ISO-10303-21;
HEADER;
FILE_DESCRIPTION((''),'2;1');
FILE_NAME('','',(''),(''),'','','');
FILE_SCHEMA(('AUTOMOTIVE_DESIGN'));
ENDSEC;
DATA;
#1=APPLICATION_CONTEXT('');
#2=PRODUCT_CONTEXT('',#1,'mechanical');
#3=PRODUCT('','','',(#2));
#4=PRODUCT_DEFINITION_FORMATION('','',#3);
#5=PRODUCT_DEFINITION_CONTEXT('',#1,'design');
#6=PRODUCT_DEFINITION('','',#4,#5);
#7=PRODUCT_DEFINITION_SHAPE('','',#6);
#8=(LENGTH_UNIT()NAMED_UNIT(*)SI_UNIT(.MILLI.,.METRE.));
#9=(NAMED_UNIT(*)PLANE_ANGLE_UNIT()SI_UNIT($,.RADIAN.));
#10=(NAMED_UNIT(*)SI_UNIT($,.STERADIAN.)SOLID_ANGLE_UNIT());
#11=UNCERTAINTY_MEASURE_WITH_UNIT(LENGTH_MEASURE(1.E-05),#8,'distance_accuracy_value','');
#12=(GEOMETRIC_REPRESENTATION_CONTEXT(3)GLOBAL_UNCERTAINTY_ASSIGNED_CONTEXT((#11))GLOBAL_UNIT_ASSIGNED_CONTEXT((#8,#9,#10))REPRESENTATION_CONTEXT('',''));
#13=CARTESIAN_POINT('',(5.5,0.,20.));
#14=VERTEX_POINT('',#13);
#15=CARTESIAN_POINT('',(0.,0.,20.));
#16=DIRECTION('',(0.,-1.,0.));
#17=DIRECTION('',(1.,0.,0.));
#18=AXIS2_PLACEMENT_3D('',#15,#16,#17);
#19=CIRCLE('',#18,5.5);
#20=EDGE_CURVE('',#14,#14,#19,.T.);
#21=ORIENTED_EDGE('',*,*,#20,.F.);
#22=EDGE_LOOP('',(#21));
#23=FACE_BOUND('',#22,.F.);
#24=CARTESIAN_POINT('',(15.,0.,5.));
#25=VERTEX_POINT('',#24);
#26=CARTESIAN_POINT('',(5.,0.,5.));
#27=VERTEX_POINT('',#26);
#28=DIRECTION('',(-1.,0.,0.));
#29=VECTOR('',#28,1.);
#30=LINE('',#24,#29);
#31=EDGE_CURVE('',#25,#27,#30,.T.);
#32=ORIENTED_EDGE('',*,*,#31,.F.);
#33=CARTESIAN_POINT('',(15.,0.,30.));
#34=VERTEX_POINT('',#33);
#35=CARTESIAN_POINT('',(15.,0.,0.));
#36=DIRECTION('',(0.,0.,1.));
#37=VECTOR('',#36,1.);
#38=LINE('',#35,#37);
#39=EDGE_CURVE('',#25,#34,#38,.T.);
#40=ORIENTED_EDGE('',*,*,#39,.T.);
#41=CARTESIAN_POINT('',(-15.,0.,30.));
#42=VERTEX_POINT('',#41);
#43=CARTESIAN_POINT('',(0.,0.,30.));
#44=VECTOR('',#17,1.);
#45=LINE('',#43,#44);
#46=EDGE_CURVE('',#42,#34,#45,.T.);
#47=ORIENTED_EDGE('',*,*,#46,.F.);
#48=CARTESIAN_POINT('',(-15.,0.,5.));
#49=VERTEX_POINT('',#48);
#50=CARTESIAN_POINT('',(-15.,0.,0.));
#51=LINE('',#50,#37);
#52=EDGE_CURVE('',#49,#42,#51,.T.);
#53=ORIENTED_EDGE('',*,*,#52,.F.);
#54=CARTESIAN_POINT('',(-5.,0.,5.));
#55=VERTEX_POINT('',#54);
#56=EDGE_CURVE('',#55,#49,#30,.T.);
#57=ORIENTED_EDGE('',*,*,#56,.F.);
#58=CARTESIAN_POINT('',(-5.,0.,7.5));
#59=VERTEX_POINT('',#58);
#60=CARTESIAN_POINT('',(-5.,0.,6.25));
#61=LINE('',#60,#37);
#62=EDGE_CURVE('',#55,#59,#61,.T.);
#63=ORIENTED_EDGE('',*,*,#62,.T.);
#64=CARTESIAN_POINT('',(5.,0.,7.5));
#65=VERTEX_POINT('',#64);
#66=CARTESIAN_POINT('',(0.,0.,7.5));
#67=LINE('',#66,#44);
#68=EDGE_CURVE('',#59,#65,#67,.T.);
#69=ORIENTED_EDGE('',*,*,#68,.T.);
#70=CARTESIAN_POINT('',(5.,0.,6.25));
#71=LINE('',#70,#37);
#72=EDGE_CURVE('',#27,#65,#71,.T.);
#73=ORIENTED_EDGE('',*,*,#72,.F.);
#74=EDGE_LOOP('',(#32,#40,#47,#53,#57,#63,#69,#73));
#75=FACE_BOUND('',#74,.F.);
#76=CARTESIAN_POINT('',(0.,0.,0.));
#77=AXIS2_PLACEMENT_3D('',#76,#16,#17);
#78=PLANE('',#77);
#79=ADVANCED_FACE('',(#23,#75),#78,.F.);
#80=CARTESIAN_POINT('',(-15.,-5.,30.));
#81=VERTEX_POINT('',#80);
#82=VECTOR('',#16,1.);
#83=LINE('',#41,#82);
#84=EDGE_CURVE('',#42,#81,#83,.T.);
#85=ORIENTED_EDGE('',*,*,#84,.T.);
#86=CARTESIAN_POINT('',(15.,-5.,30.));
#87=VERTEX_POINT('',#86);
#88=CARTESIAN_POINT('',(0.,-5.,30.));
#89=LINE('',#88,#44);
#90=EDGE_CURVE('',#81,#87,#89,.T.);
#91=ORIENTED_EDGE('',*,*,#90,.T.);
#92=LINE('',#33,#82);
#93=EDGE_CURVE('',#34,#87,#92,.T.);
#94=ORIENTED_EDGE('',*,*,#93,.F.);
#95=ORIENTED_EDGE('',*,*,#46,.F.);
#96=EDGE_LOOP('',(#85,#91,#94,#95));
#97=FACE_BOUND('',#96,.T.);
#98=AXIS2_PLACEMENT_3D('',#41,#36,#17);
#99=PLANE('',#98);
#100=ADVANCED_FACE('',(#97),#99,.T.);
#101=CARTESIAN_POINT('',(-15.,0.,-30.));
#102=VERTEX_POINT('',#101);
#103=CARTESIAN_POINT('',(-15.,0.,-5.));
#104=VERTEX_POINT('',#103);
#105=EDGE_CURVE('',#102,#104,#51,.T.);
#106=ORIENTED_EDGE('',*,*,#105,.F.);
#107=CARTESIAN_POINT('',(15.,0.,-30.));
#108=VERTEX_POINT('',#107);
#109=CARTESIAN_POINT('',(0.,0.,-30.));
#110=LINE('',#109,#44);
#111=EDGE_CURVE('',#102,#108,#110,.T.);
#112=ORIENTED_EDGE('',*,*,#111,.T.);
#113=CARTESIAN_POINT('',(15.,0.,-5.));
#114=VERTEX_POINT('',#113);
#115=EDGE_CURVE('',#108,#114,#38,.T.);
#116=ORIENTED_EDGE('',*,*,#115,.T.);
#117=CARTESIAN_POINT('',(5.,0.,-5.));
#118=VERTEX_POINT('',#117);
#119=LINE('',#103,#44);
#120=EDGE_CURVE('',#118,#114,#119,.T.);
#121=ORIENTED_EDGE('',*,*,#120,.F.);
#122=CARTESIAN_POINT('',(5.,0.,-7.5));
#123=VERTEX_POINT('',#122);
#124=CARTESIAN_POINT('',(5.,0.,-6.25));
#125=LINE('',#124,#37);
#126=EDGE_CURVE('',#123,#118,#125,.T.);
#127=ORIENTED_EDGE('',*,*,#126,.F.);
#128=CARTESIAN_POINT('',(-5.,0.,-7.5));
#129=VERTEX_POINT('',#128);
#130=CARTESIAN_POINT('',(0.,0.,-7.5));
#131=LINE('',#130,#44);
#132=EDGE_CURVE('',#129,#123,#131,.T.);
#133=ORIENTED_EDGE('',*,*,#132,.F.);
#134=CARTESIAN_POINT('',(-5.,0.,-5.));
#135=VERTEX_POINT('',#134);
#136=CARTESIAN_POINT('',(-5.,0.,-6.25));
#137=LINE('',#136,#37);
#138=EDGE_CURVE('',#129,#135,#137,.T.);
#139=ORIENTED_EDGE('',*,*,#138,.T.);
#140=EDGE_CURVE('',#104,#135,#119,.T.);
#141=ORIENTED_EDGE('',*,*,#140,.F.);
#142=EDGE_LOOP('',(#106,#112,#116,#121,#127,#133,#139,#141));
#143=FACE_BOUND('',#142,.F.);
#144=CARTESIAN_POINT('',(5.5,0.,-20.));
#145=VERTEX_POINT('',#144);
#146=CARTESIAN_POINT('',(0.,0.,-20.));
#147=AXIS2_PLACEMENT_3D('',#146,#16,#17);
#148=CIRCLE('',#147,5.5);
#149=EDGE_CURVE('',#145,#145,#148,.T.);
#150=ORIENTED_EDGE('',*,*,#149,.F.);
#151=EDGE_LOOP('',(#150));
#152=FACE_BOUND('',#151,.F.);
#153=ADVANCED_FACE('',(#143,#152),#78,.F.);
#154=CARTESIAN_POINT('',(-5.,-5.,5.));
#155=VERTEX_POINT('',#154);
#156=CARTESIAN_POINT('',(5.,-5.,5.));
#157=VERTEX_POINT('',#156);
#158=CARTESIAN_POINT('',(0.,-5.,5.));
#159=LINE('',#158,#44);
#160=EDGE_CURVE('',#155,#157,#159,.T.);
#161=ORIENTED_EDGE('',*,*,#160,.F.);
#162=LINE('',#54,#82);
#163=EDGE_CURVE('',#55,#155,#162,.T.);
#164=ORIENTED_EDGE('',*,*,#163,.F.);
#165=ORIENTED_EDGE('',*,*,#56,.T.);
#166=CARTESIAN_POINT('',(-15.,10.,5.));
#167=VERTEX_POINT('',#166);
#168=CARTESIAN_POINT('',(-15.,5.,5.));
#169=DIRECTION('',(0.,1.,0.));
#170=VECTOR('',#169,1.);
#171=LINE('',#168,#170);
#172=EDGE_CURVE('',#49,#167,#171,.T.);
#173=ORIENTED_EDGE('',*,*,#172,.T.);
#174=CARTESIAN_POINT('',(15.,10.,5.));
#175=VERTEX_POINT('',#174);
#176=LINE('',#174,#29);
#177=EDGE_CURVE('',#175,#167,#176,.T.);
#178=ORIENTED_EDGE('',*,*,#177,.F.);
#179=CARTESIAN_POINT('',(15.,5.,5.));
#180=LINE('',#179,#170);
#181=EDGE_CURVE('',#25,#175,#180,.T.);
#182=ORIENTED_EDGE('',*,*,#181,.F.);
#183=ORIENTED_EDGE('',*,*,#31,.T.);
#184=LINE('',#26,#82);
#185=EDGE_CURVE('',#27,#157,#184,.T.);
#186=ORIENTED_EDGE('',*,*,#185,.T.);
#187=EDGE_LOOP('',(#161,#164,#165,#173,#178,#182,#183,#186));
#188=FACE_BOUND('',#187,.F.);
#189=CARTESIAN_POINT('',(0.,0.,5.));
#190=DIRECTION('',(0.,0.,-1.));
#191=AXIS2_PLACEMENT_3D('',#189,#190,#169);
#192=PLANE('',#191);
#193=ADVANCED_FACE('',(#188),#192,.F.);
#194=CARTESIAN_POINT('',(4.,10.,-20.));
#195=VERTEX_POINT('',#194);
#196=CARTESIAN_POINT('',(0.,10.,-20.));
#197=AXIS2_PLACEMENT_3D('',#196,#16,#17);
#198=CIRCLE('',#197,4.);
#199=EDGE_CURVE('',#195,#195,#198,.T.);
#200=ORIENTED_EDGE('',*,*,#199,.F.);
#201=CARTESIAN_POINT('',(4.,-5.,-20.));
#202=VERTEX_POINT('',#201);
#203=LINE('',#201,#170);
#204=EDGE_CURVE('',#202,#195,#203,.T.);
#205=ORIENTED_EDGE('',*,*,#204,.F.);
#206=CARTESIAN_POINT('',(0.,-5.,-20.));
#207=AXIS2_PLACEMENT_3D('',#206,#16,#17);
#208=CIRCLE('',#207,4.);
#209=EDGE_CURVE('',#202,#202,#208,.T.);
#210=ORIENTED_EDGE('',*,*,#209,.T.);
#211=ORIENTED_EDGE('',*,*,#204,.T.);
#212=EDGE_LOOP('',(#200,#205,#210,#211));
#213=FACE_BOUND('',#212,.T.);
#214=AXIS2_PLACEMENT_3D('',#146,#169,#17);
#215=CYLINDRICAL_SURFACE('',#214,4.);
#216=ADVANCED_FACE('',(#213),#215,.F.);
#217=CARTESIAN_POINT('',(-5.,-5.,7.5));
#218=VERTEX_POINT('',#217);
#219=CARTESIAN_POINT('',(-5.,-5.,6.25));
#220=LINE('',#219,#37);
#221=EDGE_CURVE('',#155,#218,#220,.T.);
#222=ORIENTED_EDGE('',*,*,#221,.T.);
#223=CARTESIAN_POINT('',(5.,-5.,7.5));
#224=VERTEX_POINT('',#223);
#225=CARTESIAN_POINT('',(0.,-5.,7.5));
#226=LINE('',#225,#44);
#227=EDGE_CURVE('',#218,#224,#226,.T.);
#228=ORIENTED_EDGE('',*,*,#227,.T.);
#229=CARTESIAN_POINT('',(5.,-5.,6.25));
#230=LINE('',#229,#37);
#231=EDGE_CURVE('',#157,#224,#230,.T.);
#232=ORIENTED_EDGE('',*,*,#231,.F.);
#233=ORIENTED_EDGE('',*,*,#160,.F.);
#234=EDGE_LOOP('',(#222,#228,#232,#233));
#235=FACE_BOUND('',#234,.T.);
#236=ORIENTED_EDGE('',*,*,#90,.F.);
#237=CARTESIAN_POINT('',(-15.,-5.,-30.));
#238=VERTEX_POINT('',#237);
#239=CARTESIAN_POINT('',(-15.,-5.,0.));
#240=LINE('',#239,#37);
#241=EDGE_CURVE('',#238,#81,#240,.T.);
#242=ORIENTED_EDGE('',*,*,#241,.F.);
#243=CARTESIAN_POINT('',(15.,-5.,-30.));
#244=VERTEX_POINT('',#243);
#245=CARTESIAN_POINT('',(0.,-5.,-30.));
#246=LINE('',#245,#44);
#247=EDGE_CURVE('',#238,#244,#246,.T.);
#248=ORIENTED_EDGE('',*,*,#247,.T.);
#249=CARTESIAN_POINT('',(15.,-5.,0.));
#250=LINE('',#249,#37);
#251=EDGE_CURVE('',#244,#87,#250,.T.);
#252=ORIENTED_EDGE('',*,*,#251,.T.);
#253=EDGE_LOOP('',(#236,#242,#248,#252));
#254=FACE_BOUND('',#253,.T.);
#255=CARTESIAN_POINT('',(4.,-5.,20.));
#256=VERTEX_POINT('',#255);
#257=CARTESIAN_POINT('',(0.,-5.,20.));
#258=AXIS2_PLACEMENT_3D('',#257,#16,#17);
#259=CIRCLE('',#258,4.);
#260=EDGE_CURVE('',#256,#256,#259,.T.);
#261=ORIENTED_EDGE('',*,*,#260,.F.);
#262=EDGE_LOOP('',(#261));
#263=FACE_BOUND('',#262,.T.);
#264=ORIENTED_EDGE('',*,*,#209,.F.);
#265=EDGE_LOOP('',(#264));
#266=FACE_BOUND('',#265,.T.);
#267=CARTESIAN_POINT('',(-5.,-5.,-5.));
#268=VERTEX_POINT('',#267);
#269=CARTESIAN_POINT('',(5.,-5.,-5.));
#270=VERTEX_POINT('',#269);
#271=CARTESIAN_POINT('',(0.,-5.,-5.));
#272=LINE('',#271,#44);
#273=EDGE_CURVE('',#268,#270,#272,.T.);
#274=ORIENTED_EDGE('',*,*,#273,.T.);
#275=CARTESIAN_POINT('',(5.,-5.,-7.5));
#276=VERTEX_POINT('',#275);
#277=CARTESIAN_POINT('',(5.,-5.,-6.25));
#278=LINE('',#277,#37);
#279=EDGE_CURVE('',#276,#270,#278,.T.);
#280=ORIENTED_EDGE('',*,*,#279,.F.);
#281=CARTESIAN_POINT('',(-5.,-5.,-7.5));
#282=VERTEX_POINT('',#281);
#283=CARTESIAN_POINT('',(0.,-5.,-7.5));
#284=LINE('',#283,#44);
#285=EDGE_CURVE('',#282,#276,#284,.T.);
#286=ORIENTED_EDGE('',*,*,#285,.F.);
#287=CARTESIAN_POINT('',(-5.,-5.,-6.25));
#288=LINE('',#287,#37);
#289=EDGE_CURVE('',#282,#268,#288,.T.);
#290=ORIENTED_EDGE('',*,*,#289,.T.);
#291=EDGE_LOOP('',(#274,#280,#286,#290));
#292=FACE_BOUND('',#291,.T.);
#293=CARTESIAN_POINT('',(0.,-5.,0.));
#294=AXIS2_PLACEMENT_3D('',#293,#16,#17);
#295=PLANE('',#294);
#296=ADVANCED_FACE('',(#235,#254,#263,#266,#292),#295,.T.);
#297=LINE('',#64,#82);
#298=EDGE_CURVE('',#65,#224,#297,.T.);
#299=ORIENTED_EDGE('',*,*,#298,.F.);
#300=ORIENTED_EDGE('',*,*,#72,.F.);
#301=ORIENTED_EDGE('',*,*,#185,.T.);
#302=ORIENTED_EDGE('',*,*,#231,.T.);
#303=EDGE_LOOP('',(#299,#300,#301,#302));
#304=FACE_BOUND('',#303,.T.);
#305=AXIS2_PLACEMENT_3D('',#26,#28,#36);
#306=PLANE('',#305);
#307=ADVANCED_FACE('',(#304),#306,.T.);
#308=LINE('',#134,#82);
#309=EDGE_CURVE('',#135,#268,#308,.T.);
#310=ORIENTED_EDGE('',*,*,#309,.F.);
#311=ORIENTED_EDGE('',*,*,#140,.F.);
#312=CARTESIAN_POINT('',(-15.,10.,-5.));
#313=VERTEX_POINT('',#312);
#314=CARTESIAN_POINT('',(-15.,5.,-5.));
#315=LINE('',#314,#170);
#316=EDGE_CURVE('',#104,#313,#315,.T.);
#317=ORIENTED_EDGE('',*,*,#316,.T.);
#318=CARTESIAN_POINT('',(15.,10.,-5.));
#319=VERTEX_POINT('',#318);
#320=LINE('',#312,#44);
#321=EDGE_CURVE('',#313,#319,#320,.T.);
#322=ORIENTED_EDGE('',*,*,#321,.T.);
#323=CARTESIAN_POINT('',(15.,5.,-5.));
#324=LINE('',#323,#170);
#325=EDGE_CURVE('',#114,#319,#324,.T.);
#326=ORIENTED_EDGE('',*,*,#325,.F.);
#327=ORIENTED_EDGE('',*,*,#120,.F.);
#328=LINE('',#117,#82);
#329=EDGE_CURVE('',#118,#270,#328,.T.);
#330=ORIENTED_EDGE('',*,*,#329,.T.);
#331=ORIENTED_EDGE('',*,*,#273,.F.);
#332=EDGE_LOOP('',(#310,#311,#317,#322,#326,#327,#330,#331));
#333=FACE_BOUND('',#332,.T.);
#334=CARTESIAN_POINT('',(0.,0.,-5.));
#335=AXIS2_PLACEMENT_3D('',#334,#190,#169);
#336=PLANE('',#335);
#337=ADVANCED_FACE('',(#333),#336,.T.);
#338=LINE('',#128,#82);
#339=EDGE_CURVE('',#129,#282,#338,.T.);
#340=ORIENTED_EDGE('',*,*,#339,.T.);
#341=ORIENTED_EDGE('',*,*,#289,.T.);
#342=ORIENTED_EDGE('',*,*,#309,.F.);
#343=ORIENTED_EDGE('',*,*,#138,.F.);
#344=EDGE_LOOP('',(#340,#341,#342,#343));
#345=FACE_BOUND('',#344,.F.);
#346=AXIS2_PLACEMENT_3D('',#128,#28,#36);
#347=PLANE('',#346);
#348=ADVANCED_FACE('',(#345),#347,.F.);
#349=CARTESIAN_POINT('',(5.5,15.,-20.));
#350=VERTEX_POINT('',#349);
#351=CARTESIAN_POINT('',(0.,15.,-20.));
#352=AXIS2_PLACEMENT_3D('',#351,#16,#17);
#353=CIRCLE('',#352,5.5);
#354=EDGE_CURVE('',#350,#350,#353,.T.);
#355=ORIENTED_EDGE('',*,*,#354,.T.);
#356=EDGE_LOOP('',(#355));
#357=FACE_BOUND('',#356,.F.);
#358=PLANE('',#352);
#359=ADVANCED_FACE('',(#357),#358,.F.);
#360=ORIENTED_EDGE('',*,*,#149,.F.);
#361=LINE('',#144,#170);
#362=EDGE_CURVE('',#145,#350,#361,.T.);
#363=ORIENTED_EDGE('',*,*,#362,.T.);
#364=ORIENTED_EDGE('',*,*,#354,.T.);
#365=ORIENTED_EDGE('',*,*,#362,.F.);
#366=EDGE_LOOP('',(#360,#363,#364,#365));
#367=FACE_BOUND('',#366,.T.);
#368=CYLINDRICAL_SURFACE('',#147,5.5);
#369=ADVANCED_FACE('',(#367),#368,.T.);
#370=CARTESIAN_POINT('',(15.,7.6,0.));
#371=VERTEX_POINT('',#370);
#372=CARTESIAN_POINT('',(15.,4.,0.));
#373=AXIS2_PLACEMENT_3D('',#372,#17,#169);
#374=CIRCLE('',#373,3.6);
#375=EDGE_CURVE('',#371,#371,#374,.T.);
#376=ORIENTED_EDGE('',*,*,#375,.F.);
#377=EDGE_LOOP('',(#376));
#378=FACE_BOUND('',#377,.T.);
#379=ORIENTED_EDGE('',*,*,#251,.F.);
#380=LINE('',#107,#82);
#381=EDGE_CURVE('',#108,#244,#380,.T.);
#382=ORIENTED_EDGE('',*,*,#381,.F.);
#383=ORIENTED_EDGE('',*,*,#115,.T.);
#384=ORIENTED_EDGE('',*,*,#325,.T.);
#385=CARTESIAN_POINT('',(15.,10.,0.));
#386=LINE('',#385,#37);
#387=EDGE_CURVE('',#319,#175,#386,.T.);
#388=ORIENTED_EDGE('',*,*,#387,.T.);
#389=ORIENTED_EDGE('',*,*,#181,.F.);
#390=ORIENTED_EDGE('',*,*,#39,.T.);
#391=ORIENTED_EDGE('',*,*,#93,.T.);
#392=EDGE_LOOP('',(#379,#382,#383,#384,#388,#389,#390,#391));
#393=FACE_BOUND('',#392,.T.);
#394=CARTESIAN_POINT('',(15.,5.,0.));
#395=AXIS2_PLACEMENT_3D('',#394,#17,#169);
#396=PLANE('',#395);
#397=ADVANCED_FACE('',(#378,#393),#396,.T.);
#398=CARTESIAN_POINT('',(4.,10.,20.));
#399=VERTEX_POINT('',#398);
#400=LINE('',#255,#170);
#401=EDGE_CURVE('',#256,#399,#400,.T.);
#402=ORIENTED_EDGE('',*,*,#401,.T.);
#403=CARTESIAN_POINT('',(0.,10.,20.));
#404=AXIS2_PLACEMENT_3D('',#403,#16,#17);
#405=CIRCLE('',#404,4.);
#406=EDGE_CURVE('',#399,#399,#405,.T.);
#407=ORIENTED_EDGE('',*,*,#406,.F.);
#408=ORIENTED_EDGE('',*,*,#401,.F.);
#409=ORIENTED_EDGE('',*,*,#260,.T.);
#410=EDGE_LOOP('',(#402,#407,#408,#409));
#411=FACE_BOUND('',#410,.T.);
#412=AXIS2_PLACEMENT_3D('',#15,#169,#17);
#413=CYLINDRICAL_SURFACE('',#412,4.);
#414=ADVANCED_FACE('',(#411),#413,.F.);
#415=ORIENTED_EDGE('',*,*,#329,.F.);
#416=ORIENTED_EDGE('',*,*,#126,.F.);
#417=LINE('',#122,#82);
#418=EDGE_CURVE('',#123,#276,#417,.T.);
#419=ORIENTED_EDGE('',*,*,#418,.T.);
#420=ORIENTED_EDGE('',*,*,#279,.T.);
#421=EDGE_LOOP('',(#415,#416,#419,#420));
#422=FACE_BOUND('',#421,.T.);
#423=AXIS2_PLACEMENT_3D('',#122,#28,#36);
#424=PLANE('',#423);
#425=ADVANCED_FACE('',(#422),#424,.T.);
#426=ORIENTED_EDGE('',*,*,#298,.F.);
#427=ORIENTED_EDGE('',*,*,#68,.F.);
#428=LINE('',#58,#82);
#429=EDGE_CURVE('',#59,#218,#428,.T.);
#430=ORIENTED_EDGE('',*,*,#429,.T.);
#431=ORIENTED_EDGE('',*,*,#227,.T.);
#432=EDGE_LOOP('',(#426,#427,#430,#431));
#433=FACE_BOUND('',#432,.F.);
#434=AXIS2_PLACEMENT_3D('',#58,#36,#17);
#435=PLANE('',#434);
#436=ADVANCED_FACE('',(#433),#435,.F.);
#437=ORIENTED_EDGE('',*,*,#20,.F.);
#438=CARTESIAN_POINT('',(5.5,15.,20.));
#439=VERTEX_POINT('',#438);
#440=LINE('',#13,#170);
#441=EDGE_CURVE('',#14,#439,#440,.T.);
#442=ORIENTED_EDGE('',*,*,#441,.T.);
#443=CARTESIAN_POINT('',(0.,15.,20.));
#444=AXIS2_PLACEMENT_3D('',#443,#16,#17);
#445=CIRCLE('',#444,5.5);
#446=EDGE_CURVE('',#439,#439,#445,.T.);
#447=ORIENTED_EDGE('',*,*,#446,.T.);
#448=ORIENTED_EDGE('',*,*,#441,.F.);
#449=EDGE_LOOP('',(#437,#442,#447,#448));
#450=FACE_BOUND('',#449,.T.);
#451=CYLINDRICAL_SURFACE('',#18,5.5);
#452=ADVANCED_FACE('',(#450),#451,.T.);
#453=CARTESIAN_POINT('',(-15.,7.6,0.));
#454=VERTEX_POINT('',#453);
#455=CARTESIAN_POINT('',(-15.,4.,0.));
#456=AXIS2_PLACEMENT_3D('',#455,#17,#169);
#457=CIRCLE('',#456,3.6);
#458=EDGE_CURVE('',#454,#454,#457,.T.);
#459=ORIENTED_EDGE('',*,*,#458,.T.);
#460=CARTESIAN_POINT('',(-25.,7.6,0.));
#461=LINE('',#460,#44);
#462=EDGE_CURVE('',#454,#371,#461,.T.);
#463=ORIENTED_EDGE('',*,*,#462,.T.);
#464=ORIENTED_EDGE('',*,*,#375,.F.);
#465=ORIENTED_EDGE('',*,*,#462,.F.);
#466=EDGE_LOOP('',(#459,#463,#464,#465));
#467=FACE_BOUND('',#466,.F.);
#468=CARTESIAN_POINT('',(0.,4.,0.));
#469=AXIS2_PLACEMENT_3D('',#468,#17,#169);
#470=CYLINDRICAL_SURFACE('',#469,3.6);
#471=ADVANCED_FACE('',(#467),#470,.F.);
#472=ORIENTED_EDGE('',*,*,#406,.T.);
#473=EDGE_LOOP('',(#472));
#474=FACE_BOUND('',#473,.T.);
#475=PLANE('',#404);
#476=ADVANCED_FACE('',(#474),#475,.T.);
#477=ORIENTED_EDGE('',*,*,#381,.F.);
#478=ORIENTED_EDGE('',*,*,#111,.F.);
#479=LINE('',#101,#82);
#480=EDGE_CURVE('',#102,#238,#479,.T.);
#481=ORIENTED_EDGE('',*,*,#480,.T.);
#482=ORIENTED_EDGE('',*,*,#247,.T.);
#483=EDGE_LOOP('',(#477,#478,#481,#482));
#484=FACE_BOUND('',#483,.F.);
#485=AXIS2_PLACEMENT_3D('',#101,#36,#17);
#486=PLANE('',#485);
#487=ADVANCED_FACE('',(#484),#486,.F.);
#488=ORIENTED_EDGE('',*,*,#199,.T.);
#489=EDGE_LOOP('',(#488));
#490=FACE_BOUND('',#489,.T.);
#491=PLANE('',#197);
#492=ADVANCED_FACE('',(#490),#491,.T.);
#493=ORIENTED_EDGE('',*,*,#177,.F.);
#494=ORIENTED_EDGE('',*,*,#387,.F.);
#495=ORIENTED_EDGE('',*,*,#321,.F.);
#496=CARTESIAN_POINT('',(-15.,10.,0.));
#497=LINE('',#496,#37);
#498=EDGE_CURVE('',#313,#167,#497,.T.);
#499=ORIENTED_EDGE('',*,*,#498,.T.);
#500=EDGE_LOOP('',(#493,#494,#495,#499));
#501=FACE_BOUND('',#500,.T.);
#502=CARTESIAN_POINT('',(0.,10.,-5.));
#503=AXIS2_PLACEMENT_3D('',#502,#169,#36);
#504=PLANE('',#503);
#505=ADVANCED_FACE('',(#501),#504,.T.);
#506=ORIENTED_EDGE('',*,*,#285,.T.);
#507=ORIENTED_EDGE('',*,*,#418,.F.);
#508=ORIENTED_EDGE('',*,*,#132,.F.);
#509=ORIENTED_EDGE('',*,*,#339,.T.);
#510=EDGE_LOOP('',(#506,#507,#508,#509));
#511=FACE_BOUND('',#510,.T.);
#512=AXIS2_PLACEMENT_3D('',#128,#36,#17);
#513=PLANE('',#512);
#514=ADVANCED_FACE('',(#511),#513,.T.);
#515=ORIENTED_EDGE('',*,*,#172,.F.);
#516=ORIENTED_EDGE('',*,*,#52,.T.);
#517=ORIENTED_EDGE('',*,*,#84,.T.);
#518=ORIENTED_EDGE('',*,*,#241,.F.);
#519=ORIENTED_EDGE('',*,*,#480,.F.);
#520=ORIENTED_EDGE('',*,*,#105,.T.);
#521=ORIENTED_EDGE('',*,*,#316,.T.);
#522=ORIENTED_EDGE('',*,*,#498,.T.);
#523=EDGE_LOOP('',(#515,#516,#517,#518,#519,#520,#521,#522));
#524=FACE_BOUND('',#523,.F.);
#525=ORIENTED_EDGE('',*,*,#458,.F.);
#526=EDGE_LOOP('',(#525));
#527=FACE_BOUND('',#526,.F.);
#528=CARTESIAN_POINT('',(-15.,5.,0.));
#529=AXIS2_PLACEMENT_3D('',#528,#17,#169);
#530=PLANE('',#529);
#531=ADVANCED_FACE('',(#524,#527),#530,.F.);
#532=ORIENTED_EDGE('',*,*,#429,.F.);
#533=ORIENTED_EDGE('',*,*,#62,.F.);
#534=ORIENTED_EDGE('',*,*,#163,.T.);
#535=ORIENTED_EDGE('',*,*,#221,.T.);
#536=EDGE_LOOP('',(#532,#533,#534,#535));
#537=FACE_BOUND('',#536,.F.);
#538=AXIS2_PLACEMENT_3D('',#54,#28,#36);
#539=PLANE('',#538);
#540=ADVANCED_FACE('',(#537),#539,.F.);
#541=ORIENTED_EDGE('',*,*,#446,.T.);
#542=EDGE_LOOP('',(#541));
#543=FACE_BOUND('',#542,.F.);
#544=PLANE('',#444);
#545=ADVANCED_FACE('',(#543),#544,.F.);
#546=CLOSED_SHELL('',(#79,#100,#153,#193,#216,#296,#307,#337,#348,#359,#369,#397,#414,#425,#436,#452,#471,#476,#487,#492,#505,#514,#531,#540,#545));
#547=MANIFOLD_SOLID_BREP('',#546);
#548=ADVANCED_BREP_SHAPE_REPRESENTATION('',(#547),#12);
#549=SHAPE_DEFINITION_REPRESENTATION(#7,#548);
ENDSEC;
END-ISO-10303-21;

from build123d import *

# Parameters (mm, degrees)
F0_W     = 30
F0_H     = 60
F0_R     = 5.5
F0_W_2   = 10
F0_H_2   = 2.5
F0_R_2   = 4
F1_DEPTH = 5
F2_DEPTH = 15
F3_W     = 10
F3_H     = 10
F3_R     = 3.6
F4_DEPTH = 15
F5_DEPTH = 25
F6_DEPTH = 10


with BuildPart() as f1:
    # F0 (on Front) → F1 (new body)
    with BuildSketch(Plane.XZ):
        Rectangle(F0_W, F0_H)
        with Locations((0, -20)):
            Circle(F0_R, mode=Mode.SUBTRACT)
        with Locations((0, -6.25)):
            Rectangle(F0_W_2, F0_H_2, mode=Mode.SUBTRACT)
        with Locations((0, 6.25)):
            Rectangle(F0_W_2, F0_H_2, mode=Mode.SUBTRACT)
        with Locations((0, 20)):
            Circle(F0_R, mode=Mode.SUBTRACT)
        with Locations((0, 20)):
            Circle(F0_R)
        with Locations((0, 20)):
            Circle(F0_R_2, mode=Mode.SUBTRACT)
        with Locations((0, -20)):
            Circle(F0_R)
        with Locations((0, -20)):
            Circle(F0_R_2, mode=Mode.SUBTRACT)
    extrude(amount=F1_DEPTH)

    # F0 (on Front) → F2 (join)
    with BuildSketch(Plane.XZ):
        with Locations((0, 20)):
            Circle(F0_R)
        with Locations((0, 20)):
            Circle(F0_R_2, mode=Mode.SUBTRACT)
        with Locations((0, -20)):
            Circle(F0_R)
        with Locations((0, -20)):
            Circle(F0_R_2, mode=Mode.SUBTRACT)
        with Locations((0, 20)):
            Circle(F0_R_2)
        with Locations((0, -20)):
            Circle(F0_R_2)
    extrude(amount=-F2_DEPTH)

    # F3 (on Right) → F4 (join, symmetric)
    with BuildSketch(Plane.YZ):
        with Locations((5, 0)):
            Rectangle(F3_W, F3_H)
        with Locations((4, 0)):
            Circle(F3_R, mode=Mode.SUBTRACT)
        with Locations((4, 0)):
            Circle(F3_R)
    extrude(amount=F4_DEPTH, both=True)

    # F3 (on Right) → F5 (cut, symmetric)
    with BuildSketch(Plane.YZ):
        with Locations((4, 0)):
            Circle(F3_R)
    extrude(amount=F5_DEPTH, both=True, mode=Mode.SUBTRACT)

    # F0 (on Front) → F6 (cut, symmetric)
    with BuildSketch(Plane.XZ):
        with Locations((0, 20)):
            Circle(F0_R_2)
        with Locations((0, -20)):
            Circle(F0_R_2)
    extrude(amount=F6_DEPTH, both=True, mode=Mode.SUBTRACT)


solid = f1.part
